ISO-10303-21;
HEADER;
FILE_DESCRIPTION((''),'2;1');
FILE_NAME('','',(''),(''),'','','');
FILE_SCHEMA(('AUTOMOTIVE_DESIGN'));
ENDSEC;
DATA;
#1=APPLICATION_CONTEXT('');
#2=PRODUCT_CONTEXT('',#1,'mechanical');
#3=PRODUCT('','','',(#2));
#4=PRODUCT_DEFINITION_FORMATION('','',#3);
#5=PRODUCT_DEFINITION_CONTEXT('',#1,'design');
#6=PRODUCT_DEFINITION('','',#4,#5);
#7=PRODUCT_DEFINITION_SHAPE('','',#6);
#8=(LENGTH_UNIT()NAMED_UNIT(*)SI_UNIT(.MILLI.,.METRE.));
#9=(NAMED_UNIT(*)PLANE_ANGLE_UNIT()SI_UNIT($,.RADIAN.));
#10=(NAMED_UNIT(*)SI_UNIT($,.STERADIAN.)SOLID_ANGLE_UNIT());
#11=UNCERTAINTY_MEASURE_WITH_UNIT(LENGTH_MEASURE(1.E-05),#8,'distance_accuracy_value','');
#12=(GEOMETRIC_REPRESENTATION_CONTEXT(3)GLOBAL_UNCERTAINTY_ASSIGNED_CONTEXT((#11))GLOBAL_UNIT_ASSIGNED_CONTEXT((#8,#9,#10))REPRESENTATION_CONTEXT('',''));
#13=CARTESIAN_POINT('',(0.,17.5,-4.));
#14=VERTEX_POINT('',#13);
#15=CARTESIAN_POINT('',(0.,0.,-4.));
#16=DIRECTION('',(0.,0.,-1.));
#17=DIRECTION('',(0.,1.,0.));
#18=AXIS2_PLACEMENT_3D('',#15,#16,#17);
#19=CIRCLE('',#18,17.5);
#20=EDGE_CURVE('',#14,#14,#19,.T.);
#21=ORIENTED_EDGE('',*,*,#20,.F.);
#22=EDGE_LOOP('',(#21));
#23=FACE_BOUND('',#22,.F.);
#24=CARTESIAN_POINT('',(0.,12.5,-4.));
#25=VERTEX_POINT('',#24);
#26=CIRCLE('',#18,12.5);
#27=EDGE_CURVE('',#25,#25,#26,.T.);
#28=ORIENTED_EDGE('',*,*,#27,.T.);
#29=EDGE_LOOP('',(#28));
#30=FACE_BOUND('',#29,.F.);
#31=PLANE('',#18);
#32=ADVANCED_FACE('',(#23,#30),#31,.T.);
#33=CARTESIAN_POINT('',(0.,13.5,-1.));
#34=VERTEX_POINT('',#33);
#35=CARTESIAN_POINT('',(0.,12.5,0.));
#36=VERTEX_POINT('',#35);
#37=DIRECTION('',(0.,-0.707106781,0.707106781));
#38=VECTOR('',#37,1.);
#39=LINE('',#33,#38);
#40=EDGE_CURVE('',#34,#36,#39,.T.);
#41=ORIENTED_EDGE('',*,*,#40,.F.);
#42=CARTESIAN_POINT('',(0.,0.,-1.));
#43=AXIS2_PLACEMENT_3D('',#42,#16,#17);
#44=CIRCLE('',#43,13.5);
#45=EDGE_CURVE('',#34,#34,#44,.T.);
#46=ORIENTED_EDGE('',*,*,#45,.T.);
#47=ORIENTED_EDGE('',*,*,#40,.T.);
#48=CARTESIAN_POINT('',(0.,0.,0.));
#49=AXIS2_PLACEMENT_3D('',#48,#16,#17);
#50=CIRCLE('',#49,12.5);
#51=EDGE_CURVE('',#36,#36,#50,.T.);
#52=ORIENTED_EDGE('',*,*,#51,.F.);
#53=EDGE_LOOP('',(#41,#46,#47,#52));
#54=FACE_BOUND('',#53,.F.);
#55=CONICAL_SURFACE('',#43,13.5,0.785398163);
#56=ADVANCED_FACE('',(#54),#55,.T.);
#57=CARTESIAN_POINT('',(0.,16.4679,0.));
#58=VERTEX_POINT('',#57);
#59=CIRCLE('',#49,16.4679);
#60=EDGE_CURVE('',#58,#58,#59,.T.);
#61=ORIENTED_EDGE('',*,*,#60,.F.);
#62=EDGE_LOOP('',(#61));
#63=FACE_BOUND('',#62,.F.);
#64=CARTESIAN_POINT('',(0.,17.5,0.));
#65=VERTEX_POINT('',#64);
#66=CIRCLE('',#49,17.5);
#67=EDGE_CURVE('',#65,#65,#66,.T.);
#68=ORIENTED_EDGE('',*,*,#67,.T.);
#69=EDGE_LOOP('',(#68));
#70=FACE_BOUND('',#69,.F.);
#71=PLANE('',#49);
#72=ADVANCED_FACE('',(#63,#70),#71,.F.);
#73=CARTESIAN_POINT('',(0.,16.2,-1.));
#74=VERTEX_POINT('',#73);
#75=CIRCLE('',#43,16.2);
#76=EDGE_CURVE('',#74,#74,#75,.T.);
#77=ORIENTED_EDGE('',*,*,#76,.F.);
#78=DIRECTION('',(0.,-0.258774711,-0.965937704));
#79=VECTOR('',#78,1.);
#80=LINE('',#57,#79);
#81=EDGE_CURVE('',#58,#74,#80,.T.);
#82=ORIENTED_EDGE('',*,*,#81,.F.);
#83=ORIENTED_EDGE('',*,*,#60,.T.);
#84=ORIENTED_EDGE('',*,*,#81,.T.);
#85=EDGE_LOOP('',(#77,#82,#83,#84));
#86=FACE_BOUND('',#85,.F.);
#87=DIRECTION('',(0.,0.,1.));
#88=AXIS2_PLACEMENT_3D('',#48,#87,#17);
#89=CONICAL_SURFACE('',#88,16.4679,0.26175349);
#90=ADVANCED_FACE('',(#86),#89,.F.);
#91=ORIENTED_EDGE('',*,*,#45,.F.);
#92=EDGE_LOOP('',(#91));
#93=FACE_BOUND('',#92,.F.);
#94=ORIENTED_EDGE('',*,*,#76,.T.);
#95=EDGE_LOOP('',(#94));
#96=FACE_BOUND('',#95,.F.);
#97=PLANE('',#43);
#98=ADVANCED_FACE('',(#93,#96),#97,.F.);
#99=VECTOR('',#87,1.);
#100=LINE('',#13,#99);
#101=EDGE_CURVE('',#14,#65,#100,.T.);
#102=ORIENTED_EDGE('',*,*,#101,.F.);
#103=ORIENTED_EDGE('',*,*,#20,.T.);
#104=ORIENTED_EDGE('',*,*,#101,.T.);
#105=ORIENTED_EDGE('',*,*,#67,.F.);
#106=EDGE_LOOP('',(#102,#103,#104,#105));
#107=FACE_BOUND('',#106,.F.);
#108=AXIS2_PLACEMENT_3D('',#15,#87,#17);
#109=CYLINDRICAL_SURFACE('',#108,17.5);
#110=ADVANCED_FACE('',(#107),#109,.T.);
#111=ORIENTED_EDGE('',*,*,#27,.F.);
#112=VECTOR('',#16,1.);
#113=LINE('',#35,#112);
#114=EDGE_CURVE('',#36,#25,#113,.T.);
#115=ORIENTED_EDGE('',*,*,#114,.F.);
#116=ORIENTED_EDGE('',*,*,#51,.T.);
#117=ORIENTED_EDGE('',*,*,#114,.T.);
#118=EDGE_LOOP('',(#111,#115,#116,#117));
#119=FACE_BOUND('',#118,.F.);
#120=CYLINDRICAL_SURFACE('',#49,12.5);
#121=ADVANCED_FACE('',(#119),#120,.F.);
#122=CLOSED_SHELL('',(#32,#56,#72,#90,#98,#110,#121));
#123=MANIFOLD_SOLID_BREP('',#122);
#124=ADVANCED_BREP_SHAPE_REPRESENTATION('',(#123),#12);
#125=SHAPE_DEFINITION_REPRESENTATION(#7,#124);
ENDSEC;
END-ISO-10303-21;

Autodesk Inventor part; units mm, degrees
sketch "Sketch_1" plane through (0, 0, 0) normal (1, 0, 0) x (0, 1, 0)
  line L0 (0, -4) -> (0, 0)
  line L1 (12.5, 0) -> (12.5, -4)
  line L2 (12.5, -4) -> (17.5, -4)
  line L3 (17.5, -4) -> (17.5, 0)
  line L4 (17.5, 0) -> (16.4679, 0)
  line L5 (16.4679, 0) -> (16.2, -1)
  line L6 (16.2, -1) -> (13.5, -1)
  line L7 (13.5, -1) -> (12.5, 0)
revolve "Revolution1" add sketch "Sketch_1" angle 360 about axis through (0, 0, -4) along (0, 0, -1)
ref_plane "ANBAU_XY" through (0, 0, -4) normal (0, 0, 1) x (1, 0, 0)
ref_plane "ANBAU_YZ" through (0, 0, -4) normal (1, 0, 0) x (0, 1, 0)
ref_plane "ANBAU_ZX" through (0, 0, -4) normal (0, 1, 0) x (0, 0, 1)
properties part number "247465 FEN-80-SD---(SD)"
